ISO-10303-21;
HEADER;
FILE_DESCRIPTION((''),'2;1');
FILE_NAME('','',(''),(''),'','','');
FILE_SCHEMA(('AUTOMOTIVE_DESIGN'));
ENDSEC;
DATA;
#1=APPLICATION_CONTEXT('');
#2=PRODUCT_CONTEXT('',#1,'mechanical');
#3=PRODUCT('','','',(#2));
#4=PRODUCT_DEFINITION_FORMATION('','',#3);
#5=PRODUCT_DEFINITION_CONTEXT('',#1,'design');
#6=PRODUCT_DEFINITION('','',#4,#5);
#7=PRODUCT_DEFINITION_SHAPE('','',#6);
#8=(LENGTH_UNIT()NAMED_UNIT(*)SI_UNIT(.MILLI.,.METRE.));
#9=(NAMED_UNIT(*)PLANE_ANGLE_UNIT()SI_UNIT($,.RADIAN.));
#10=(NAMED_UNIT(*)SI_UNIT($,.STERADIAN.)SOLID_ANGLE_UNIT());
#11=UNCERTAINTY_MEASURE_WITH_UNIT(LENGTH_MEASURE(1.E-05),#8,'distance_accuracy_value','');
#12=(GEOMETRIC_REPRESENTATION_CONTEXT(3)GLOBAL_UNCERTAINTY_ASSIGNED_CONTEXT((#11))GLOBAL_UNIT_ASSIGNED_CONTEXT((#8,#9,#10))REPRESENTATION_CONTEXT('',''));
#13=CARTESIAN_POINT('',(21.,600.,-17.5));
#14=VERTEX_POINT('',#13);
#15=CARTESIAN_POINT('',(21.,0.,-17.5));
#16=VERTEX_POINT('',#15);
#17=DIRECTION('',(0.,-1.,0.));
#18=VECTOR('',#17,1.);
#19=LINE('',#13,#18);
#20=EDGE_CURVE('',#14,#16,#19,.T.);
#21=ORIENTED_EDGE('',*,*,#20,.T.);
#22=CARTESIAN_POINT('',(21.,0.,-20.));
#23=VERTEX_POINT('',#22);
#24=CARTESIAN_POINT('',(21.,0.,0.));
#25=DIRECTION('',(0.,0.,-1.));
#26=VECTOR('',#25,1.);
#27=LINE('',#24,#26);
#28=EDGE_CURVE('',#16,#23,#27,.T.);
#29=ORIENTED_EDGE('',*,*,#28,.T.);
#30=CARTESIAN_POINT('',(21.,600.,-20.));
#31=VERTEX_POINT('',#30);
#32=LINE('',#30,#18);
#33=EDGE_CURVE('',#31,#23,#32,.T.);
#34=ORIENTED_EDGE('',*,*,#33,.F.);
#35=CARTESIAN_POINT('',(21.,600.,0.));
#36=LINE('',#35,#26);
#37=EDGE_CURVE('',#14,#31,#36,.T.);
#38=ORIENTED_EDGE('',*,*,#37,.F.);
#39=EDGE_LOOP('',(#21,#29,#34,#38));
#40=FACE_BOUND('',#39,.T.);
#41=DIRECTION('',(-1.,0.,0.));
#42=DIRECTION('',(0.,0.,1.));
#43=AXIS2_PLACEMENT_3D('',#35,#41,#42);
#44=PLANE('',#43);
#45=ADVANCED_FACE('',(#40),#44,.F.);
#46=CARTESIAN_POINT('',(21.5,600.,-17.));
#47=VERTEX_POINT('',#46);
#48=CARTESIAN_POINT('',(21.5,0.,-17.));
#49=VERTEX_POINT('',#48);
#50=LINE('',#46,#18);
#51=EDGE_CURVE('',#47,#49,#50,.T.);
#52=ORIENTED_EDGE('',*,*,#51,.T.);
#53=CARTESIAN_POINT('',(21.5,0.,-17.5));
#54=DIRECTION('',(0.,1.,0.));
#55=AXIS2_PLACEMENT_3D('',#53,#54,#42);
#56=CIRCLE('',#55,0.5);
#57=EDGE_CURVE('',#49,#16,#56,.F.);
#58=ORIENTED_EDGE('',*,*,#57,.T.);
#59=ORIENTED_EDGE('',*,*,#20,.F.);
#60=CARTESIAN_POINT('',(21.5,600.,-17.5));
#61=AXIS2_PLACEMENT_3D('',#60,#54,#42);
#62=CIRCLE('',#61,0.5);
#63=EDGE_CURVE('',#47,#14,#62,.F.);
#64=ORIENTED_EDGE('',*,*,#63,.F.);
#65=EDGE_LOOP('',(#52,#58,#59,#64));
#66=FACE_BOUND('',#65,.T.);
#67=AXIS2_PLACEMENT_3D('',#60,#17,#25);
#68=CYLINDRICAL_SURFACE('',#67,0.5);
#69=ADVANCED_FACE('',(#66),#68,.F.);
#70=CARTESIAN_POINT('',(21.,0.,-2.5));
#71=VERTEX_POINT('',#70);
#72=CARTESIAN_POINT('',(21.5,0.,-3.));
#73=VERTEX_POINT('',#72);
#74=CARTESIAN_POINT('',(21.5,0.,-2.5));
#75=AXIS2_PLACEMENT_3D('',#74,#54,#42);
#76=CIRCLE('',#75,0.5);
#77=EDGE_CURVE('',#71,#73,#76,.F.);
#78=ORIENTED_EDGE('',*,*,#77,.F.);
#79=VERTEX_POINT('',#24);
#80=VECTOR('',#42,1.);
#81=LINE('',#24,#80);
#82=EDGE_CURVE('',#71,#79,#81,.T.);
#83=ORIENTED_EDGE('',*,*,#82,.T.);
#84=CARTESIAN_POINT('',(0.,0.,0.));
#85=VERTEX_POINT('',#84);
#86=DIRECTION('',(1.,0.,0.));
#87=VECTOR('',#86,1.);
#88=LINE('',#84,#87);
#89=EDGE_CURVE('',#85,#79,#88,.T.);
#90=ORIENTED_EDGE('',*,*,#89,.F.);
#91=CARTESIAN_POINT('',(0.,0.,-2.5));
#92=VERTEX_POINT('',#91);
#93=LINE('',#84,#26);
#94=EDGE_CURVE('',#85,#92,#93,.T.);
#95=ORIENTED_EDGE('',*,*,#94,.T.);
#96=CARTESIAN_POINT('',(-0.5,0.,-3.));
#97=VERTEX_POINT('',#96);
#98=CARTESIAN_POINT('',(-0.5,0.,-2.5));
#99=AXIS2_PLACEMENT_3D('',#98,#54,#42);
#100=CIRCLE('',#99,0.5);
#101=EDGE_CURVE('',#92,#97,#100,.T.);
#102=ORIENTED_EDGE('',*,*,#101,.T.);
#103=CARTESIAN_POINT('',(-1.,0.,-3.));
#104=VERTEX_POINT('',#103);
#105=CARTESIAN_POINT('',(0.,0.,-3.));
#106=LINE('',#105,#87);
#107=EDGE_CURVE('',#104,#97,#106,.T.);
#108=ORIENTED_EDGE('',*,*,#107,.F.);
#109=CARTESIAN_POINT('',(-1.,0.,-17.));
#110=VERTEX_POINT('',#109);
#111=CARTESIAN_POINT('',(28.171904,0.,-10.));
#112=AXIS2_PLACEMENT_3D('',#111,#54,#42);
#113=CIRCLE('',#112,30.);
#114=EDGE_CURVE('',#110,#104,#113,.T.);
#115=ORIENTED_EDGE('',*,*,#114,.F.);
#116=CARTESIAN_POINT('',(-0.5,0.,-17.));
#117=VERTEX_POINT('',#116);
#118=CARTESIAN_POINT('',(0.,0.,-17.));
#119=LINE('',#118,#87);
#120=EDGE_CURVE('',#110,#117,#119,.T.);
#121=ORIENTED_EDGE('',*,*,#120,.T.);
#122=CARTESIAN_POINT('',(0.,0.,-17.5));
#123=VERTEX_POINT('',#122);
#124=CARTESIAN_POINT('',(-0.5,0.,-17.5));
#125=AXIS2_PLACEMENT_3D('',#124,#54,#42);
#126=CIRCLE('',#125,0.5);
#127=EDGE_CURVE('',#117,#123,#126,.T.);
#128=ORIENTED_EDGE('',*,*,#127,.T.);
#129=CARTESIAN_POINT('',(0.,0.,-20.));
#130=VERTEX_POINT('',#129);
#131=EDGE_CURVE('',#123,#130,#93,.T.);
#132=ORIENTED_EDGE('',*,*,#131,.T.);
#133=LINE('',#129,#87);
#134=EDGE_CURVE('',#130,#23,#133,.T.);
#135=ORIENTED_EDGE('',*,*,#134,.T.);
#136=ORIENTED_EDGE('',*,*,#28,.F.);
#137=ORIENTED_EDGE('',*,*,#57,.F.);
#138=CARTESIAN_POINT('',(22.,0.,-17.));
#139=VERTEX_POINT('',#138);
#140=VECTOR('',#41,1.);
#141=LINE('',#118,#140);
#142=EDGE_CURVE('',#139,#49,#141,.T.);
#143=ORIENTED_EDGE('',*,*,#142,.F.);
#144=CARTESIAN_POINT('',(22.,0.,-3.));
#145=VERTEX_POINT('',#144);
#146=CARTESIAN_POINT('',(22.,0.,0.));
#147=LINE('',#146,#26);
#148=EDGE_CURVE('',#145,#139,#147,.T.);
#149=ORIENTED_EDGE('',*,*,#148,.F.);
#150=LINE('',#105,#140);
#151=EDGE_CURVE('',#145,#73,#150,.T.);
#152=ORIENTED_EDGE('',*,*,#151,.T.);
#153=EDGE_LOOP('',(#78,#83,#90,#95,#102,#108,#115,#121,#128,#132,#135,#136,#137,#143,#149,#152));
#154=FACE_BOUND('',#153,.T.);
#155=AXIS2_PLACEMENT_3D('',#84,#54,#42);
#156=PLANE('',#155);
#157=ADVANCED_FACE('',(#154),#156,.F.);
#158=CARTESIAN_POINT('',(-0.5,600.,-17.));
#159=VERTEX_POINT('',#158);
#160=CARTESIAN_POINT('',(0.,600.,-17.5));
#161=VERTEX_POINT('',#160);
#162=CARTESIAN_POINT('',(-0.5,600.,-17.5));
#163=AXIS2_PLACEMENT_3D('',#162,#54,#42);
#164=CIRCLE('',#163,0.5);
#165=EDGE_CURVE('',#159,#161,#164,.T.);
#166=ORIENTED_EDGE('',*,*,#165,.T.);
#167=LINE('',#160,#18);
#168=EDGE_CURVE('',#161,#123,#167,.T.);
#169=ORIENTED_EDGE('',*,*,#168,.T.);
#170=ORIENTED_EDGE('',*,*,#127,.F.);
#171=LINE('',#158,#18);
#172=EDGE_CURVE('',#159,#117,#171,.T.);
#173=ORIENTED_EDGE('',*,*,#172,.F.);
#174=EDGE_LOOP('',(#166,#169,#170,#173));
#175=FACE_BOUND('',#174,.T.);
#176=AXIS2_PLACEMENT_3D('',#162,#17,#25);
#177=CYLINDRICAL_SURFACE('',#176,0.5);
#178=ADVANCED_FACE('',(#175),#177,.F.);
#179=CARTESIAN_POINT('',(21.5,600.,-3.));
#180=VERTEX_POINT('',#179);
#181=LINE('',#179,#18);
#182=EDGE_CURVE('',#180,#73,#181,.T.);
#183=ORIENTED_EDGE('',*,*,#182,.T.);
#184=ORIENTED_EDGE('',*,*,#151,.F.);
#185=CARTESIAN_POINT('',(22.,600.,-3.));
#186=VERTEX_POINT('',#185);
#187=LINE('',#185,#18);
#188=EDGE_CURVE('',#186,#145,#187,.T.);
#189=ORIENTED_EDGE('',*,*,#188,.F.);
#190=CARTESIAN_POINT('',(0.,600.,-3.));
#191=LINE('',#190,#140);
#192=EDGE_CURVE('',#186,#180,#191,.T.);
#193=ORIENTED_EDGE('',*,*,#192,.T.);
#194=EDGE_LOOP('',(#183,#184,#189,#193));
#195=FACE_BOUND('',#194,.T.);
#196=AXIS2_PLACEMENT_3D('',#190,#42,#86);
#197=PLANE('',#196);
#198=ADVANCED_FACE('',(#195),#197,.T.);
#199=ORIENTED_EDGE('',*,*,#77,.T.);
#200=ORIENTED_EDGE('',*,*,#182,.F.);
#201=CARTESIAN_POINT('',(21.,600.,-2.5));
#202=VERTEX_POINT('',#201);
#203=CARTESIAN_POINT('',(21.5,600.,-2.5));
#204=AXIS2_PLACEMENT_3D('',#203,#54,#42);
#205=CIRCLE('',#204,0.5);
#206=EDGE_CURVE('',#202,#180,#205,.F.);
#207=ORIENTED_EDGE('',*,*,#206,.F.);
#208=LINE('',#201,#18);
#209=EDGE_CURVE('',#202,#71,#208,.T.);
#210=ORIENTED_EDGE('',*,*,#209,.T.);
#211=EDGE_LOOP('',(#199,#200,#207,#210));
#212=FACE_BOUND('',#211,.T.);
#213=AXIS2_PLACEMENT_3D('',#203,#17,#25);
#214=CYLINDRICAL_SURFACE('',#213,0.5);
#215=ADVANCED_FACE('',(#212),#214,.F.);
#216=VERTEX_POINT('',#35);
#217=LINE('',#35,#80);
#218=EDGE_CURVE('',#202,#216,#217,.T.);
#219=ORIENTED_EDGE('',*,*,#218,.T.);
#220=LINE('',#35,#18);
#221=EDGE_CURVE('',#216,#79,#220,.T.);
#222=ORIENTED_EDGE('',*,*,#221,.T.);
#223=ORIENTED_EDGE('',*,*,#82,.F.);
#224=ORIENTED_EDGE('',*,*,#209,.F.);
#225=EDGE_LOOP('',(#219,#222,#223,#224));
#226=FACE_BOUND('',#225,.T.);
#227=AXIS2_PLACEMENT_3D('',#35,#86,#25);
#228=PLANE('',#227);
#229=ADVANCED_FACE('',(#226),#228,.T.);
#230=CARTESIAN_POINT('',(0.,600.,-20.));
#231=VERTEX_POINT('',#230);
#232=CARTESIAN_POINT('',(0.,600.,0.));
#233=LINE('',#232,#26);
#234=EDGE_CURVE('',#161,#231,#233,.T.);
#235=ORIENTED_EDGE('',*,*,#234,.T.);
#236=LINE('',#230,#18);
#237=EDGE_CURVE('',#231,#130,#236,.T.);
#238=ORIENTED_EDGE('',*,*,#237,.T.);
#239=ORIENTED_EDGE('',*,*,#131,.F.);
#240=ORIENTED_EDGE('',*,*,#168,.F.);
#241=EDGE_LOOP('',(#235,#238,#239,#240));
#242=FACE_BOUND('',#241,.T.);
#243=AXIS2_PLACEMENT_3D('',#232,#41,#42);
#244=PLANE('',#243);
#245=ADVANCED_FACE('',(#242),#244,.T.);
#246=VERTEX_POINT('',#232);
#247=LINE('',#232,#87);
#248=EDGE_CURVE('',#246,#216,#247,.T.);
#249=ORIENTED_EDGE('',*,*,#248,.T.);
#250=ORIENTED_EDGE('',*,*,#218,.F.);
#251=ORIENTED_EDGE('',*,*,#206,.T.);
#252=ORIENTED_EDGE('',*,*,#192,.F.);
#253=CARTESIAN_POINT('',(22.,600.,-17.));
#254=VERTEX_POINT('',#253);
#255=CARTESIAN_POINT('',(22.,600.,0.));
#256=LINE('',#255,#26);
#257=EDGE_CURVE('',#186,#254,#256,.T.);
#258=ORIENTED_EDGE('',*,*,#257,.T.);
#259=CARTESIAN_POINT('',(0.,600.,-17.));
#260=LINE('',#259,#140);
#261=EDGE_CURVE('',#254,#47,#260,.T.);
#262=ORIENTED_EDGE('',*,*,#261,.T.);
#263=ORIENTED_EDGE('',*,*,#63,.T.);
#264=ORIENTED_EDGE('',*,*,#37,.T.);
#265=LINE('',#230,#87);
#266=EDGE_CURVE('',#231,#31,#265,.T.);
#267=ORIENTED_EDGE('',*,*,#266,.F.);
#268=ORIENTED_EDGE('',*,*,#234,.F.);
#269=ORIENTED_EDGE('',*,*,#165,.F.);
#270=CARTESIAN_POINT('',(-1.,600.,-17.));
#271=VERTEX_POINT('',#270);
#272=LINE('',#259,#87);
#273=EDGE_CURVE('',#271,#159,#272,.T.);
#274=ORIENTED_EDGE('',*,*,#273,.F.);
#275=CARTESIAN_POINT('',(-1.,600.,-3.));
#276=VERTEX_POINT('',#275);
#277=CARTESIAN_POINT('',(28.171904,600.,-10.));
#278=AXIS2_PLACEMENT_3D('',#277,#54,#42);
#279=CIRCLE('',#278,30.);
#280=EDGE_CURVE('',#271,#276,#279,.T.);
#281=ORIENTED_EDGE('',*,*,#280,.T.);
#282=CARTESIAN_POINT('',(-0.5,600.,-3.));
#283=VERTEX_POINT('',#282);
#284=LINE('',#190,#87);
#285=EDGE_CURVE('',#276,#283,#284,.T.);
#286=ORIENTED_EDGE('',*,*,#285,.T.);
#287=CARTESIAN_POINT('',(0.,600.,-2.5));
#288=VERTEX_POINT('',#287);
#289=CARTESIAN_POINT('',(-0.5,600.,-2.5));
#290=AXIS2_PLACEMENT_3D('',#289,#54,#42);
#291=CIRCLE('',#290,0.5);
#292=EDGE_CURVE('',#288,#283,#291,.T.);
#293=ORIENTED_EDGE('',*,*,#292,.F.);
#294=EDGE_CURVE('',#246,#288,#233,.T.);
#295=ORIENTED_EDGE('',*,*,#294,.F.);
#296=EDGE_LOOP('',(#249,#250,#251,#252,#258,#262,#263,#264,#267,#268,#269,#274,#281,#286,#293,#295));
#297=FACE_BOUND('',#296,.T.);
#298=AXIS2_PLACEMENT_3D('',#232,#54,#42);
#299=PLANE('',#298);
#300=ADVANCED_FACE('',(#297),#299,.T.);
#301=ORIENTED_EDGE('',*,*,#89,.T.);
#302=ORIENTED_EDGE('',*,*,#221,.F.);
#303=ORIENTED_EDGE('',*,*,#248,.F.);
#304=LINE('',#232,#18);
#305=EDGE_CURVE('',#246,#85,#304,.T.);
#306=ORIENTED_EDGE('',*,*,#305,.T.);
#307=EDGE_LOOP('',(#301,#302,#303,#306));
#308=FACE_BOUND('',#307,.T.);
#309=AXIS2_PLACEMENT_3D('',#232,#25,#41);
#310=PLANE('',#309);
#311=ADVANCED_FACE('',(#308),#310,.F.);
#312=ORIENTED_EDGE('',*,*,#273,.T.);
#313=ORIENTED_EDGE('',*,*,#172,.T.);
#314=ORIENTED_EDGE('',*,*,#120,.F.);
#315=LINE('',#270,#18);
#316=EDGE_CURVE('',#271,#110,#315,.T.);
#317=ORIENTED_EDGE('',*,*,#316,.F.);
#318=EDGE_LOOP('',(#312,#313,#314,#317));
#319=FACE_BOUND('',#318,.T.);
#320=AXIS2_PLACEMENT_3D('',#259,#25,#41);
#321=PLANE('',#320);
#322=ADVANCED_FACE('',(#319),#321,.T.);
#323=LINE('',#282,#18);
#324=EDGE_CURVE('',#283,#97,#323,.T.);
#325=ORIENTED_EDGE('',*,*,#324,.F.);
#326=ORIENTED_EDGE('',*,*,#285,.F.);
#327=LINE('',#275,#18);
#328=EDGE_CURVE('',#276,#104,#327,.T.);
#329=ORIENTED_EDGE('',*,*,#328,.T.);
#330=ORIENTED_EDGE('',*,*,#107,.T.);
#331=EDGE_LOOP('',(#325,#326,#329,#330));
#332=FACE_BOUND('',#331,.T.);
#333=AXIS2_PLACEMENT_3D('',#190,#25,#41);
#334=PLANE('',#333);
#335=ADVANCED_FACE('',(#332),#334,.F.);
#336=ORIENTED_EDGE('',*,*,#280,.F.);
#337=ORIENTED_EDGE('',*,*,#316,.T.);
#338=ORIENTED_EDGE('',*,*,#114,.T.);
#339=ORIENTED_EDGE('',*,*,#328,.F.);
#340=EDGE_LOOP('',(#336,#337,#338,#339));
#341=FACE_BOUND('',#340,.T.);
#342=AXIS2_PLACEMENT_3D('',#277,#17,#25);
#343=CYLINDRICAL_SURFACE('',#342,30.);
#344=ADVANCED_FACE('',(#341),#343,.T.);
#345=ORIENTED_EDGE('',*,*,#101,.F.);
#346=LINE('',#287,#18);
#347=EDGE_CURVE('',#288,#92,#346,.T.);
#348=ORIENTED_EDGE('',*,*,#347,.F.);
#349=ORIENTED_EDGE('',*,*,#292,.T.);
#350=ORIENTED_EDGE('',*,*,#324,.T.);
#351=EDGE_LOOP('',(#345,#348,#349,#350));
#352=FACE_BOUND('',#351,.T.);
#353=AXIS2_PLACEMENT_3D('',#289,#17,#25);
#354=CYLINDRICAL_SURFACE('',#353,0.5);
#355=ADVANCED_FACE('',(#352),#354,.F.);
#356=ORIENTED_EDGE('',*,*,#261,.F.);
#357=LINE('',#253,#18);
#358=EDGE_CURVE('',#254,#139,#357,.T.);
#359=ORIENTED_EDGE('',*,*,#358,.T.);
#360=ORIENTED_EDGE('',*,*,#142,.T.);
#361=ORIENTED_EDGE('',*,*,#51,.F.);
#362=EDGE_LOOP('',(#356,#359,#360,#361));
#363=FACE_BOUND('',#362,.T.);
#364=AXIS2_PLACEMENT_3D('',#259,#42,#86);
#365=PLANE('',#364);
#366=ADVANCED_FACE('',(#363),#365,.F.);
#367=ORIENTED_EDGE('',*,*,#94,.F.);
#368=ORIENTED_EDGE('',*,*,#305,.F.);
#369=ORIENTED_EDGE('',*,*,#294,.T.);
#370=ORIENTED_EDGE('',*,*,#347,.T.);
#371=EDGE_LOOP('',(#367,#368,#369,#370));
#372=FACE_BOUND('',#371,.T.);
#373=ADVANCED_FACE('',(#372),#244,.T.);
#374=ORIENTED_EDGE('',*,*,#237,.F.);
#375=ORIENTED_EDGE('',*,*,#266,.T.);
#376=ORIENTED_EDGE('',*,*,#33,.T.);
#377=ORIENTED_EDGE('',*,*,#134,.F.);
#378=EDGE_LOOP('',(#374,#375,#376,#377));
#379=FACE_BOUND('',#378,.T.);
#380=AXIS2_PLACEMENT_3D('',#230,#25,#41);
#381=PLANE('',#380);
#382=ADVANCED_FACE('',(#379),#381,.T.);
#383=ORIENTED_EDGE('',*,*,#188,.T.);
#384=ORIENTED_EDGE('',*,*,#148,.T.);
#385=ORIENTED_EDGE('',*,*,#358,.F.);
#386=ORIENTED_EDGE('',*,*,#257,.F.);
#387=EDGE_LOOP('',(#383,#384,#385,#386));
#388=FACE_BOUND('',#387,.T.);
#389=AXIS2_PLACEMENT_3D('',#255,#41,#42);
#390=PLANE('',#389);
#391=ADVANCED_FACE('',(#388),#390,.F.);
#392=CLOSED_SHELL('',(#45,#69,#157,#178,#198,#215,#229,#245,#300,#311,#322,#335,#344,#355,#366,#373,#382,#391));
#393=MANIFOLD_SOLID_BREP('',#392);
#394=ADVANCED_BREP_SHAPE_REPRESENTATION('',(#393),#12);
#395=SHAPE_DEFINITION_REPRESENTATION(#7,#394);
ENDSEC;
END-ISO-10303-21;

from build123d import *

# Parameters (mm, degrees)
SALIENTE_EXTRUIR1_DEPTH = 600


with BuildPart() as part:
    # Croquis1 → Saliente-Extruir1 (new body)
    with BuildSketch(Plane(origin=(0, 0, 0), x_dir=(1, 0, 0), z_dir=(0, 1, 0))):
        with BuildLine():
            Line((0, 2.5), (0, 0))
            Line((0, 0), (10.5, 0))
            Line((10.5, 0), (10.5, 20))
            Line((10.5, 20), (0, 20))
            Line((0, 20), (0, 17.5))
            ThreePointArc((0, 17.5), (-0.146446609, 17.146446609), (-0.5, 17))
            Line((-0.5, 17), (-1, 17))
            ThreePointArc((-1, 17), (-1.828095708, 10), (-1, 3))
            Line((-1, 3), (-0.5, 3))
            ThreePointArc((-0.5, 3), (-0.146446609, 2.853553391), (0, 2.5))
        make_face()
        with BuildLine():
            Line((10.5, 20), (10.5, 0))
            Line((10.5, 0), (21, 0))
            Line((21, 0), (21, 2.5))
            ThreePointArc((21, 2.5), (21.146446609, 2.853553391), (21.5, 3))
            Line((21.5, 3), (22, 3))
            Line((22, 3), (22, 17))
            Line((22, 17), (21.5, 17))
            ThreePointArc((21.5, 17), (21.146446609, 17.146446609), (21, 17.5))
            Line((21, 17.5), (21, 20))
            Line((21, 20), (10.5, 20))
        make_face()
    extrude(amount=SALIENTE_EXTRUIR1_DEPTH)


solid = part.part
